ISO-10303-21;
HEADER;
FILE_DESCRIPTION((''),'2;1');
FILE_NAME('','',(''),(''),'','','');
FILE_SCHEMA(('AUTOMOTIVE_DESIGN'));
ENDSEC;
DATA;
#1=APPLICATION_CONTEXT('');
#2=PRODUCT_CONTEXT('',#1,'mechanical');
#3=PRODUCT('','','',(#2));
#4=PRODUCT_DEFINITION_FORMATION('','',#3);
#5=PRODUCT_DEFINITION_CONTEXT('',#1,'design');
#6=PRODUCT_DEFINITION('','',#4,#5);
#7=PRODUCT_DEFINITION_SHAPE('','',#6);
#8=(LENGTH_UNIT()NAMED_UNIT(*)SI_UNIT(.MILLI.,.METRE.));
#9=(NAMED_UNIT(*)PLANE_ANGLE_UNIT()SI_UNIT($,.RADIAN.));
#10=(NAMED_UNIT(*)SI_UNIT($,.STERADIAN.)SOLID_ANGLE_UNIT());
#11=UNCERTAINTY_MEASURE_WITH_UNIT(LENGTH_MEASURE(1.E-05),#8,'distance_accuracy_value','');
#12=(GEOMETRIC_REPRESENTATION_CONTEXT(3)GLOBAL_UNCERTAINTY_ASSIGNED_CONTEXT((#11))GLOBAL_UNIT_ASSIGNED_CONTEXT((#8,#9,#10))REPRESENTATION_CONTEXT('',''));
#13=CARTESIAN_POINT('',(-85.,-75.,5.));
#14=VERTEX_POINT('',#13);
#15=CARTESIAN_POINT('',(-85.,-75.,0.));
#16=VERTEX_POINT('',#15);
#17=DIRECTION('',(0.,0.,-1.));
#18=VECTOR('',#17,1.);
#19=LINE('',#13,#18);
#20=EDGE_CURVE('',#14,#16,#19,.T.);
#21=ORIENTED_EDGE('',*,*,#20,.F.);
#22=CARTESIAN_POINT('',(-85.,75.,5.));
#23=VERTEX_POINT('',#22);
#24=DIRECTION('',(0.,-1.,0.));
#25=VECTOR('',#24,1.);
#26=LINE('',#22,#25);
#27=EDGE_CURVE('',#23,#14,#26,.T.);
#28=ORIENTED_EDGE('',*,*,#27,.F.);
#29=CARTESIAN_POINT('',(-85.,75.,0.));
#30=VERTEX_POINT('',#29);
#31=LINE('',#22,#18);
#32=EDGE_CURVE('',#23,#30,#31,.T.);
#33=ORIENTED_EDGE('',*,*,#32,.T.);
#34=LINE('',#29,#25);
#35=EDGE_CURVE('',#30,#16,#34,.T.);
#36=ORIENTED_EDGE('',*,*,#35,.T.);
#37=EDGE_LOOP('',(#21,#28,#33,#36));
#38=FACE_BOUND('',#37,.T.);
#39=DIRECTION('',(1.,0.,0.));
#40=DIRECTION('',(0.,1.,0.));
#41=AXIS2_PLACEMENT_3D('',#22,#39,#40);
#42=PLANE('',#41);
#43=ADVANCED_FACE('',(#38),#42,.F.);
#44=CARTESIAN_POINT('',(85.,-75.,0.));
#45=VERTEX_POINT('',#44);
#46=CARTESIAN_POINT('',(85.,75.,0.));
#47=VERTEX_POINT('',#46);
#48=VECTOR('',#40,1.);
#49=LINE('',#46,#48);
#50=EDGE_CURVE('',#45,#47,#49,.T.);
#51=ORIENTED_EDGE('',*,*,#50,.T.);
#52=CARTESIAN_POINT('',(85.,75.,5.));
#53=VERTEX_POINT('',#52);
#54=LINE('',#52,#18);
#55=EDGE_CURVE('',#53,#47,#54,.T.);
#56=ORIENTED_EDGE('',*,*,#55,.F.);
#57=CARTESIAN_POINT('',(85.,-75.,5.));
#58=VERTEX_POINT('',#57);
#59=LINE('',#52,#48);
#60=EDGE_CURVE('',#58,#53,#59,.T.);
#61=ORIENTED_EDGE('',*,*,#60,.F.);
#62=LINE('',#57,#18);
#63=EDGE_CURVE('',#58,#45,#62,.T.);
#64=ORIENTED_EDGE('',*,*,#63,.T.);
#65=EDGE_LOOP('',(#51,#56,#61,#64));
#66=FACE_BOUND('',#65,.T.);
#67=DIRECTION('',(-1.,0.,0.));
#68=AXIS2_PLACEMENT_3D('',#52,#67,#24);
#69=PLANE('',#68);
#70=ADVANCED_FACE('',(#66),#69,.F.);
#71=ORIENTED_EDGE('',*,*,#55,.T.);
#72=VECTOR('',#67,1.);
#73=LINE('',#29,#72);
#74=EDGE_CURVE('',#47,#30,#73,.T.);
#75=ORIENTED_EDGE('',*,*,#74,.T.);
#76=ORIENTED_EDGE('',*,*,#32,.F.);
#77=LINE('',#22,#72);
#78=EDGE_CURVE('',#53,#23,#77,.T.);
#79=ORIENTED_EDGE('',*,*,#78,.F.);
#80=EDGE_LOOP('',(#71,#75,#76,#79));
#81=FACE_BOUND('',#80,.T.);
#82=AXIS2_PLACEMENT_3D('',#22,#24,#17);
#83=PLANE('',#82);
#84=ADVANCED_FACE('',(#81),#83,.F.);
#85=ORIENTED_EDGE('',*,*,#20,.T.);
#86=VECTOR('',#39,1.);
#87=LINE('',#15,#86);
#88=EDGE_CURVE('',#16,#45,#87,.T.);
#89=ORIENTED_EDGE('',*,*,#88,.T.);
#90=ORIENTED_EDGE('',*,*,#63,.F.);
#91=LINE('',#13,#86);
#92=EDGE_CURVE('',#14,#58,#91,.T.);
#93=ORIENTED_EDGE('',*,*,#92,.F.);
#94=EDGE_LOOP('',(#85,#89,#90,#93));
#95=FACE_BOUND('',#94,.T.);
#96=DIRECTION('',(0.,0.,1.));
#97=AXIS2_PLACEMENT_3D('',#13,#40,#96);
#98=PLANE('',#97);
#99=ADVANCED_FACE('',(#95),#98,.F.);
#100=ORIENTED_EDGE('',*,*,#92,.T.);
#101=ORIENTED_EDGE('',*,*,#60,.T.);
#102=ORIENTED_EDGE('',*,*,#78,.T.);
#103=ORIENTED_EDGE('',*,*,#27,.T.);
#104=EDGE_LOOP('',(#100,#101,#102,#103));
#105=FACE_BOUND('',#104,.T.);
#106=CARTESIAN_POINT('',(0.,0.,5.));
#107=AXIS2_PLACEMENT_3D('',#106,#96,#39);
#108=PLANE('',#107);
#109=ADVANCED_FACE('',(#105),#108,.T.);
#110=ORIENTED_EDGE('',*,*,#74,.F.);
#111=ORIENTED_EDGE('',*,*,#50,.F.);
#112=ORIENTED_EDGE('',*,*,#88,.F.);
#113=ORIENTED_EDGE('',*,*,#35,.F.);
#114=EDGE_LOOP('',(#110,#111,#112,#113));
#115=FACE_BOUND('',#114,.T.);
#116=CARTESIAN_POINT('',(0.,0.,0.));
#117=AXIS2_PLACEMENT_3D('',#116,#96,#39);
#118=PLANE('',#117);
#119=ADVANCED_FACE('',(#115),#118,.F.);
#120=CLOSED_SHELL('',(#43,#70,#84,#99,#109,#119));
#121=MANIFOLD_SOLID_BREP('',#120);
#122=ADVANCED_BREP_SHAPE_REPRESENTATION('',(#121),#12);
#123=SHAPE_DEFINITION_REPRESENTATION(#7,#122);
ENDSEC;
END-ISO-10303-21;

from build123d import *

# Parameters (mm, degrees)
SKETCH2_W           = 170
SKETCH2_H           = 150
BOSS_EXTRUDE1_DEPTH = 5


with BuildPart() as part:
    # Sketch2 → Boss-Extrude1 (new body)
    with BuildSketch(Plane.XY):
        Rectangle(SKETCH2_W, SKETCH2_H)
    extrude(amount=BOSS_EXTRUDE1_DEPTH)


solid = part.part
